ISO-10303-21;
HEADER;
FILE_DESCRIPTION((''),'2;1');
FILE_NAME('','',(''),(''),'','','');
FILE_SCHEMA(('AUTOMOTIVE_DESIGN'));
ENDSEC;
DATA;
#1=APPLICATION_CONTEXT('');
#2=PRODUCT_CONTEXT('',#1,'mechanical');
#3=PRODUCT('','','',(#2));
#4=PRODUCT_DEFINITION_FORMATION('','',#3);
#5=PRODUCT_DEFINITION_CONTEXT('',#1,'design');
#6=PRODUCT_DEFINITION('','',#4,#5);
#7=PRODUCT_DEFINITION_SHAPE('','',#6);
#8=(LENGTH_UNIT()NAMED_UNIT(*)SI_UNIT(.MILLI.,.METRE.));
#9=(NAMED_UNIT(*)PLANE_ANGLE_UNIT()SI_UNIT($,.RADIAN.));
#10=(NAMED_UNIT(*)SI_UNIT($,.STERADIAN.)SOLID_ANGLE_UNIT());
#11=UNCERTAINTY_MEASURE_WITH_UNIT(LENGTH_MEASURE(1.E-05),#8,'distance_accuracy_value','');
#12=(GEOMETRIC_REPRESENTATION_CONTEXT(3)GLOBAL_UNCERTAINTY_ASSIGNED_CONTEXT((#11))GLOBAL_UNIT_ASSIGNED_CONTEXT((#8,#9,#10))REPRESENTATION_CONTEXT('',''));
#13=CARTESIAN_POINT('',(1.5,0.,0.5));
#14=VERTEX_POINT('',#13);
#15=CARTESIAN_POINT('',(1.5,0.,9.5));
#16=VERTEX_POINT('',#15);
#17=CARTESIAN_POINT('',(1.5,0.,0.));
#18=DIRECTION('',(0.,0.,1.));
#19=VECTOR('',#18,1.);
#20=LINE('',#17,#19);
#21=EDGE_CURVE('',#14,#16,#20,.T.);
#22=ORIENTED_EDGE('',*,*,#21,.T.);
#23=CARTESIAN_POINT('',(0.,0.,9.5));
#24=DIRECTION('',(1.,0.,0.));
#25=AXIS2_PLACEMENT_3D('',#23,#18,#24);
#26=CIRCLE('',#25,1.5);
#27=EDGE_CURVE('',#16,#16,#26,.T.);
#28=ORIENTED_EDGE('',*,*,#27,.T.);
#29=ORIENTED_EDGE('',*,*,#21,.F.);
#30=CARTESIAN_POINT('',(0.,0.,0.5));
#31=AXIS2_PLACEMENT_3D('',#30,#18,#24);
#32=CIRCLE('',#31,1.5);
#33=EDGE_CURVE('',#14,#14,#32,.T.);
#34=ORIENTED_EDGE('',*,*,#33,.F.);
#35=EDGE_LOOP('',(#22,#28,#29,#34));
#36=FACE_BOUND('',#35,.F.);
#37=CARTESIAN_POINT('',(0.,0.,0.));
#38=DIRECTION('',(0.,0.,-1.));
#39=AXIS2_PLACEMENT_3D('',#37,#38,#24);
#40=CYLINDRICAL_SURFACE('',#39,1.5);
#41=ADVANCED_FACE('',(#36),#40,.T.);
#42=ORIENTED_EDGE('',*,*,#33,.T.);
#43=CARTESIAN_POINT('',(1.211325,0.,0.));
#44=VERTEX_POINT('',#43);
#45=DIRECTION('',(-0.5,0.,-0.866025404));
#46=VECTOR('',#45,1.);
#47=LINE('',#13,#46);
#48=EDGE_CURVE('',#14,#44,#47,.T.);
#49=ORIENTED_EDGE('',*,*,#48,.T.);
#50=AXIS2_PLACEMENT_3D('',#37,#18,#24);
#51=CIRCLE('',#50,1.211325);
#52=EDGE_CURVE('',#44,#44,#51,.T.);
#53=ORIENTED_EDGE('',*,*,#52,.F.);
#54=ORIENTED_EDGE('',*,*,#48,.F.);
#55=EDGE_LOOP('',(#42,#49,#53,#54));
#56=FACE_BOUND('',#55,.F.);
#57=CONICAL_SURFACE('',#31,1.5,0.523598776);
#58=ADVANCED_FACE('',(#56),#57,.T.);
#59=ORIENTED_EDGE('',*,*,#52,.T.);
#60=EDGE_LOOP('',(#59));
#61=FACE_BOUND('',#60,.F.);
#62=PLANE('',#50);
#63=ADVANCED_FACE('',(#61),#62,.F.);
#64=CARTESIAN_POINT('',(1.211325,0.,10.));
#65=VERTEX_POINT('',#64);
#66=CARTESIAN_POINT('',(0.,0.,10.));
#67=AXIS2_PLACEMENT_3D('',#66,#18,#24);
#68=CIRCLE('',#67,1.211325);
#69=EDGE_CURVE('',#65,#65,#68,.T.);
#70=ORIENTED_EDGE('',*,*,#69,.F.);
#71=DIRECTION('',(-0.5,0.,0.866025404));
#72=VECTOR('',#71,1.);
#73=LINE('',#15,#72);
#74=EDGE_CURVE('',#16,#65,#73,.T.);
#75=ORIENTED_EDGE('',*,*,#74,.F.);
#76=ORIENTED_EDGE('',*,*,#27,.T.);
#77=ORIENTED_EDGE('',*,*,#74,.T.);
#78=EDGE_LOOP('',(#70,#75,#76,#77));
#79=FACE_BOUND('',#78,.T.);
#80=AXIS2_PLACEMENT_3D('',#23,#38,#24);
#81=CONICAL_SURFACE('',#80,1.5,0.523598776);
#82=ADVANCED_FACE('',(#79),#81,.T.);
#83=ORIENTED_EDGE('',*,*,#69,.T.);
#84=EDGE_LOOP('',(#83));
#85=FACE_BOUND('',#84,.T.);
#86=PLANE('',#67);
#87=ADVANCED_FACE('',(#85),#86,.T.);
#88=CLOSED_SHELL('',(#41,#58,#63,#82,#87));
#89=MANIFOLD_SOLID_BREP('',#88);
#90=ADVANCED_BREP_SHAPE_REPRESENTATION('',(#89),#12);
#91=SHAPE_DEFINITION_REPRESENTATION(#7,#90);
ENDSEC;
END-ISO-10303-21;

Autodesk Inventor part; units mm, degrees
ref_plane "YZ Plane" through (0, 0, 0) normal (1, 0, 0) x (0, 1, 0)
ref_plane "XZ Plane" through (0, 0, 0) normal (0, 1, 0) x (-1, 0, 0)
ref_plane "XY Plane" through (0, 0, 0) normal (0, 0, 1) x (1, 0, 0)
sketch "スケッチ1" plane through (0, 0, 0) normal (0, 0, 1) x (1, 0, 0)
  circle A0 centre (0, 0) radius 1.5
  dimension "d0" = 3
extrude "押し出し1" add sketch "スケッチ1" along normal blind 10
chamfer "面取り2" distance 0.5 angle 30 2 edges at (-1.5, 0, 10) (-1.5, 0, 0) measured on face at (1.4806, -0.2406, 6.6667)
properties part number "平行ピンΦ3.15" material "鋼、高強度、低合金"
